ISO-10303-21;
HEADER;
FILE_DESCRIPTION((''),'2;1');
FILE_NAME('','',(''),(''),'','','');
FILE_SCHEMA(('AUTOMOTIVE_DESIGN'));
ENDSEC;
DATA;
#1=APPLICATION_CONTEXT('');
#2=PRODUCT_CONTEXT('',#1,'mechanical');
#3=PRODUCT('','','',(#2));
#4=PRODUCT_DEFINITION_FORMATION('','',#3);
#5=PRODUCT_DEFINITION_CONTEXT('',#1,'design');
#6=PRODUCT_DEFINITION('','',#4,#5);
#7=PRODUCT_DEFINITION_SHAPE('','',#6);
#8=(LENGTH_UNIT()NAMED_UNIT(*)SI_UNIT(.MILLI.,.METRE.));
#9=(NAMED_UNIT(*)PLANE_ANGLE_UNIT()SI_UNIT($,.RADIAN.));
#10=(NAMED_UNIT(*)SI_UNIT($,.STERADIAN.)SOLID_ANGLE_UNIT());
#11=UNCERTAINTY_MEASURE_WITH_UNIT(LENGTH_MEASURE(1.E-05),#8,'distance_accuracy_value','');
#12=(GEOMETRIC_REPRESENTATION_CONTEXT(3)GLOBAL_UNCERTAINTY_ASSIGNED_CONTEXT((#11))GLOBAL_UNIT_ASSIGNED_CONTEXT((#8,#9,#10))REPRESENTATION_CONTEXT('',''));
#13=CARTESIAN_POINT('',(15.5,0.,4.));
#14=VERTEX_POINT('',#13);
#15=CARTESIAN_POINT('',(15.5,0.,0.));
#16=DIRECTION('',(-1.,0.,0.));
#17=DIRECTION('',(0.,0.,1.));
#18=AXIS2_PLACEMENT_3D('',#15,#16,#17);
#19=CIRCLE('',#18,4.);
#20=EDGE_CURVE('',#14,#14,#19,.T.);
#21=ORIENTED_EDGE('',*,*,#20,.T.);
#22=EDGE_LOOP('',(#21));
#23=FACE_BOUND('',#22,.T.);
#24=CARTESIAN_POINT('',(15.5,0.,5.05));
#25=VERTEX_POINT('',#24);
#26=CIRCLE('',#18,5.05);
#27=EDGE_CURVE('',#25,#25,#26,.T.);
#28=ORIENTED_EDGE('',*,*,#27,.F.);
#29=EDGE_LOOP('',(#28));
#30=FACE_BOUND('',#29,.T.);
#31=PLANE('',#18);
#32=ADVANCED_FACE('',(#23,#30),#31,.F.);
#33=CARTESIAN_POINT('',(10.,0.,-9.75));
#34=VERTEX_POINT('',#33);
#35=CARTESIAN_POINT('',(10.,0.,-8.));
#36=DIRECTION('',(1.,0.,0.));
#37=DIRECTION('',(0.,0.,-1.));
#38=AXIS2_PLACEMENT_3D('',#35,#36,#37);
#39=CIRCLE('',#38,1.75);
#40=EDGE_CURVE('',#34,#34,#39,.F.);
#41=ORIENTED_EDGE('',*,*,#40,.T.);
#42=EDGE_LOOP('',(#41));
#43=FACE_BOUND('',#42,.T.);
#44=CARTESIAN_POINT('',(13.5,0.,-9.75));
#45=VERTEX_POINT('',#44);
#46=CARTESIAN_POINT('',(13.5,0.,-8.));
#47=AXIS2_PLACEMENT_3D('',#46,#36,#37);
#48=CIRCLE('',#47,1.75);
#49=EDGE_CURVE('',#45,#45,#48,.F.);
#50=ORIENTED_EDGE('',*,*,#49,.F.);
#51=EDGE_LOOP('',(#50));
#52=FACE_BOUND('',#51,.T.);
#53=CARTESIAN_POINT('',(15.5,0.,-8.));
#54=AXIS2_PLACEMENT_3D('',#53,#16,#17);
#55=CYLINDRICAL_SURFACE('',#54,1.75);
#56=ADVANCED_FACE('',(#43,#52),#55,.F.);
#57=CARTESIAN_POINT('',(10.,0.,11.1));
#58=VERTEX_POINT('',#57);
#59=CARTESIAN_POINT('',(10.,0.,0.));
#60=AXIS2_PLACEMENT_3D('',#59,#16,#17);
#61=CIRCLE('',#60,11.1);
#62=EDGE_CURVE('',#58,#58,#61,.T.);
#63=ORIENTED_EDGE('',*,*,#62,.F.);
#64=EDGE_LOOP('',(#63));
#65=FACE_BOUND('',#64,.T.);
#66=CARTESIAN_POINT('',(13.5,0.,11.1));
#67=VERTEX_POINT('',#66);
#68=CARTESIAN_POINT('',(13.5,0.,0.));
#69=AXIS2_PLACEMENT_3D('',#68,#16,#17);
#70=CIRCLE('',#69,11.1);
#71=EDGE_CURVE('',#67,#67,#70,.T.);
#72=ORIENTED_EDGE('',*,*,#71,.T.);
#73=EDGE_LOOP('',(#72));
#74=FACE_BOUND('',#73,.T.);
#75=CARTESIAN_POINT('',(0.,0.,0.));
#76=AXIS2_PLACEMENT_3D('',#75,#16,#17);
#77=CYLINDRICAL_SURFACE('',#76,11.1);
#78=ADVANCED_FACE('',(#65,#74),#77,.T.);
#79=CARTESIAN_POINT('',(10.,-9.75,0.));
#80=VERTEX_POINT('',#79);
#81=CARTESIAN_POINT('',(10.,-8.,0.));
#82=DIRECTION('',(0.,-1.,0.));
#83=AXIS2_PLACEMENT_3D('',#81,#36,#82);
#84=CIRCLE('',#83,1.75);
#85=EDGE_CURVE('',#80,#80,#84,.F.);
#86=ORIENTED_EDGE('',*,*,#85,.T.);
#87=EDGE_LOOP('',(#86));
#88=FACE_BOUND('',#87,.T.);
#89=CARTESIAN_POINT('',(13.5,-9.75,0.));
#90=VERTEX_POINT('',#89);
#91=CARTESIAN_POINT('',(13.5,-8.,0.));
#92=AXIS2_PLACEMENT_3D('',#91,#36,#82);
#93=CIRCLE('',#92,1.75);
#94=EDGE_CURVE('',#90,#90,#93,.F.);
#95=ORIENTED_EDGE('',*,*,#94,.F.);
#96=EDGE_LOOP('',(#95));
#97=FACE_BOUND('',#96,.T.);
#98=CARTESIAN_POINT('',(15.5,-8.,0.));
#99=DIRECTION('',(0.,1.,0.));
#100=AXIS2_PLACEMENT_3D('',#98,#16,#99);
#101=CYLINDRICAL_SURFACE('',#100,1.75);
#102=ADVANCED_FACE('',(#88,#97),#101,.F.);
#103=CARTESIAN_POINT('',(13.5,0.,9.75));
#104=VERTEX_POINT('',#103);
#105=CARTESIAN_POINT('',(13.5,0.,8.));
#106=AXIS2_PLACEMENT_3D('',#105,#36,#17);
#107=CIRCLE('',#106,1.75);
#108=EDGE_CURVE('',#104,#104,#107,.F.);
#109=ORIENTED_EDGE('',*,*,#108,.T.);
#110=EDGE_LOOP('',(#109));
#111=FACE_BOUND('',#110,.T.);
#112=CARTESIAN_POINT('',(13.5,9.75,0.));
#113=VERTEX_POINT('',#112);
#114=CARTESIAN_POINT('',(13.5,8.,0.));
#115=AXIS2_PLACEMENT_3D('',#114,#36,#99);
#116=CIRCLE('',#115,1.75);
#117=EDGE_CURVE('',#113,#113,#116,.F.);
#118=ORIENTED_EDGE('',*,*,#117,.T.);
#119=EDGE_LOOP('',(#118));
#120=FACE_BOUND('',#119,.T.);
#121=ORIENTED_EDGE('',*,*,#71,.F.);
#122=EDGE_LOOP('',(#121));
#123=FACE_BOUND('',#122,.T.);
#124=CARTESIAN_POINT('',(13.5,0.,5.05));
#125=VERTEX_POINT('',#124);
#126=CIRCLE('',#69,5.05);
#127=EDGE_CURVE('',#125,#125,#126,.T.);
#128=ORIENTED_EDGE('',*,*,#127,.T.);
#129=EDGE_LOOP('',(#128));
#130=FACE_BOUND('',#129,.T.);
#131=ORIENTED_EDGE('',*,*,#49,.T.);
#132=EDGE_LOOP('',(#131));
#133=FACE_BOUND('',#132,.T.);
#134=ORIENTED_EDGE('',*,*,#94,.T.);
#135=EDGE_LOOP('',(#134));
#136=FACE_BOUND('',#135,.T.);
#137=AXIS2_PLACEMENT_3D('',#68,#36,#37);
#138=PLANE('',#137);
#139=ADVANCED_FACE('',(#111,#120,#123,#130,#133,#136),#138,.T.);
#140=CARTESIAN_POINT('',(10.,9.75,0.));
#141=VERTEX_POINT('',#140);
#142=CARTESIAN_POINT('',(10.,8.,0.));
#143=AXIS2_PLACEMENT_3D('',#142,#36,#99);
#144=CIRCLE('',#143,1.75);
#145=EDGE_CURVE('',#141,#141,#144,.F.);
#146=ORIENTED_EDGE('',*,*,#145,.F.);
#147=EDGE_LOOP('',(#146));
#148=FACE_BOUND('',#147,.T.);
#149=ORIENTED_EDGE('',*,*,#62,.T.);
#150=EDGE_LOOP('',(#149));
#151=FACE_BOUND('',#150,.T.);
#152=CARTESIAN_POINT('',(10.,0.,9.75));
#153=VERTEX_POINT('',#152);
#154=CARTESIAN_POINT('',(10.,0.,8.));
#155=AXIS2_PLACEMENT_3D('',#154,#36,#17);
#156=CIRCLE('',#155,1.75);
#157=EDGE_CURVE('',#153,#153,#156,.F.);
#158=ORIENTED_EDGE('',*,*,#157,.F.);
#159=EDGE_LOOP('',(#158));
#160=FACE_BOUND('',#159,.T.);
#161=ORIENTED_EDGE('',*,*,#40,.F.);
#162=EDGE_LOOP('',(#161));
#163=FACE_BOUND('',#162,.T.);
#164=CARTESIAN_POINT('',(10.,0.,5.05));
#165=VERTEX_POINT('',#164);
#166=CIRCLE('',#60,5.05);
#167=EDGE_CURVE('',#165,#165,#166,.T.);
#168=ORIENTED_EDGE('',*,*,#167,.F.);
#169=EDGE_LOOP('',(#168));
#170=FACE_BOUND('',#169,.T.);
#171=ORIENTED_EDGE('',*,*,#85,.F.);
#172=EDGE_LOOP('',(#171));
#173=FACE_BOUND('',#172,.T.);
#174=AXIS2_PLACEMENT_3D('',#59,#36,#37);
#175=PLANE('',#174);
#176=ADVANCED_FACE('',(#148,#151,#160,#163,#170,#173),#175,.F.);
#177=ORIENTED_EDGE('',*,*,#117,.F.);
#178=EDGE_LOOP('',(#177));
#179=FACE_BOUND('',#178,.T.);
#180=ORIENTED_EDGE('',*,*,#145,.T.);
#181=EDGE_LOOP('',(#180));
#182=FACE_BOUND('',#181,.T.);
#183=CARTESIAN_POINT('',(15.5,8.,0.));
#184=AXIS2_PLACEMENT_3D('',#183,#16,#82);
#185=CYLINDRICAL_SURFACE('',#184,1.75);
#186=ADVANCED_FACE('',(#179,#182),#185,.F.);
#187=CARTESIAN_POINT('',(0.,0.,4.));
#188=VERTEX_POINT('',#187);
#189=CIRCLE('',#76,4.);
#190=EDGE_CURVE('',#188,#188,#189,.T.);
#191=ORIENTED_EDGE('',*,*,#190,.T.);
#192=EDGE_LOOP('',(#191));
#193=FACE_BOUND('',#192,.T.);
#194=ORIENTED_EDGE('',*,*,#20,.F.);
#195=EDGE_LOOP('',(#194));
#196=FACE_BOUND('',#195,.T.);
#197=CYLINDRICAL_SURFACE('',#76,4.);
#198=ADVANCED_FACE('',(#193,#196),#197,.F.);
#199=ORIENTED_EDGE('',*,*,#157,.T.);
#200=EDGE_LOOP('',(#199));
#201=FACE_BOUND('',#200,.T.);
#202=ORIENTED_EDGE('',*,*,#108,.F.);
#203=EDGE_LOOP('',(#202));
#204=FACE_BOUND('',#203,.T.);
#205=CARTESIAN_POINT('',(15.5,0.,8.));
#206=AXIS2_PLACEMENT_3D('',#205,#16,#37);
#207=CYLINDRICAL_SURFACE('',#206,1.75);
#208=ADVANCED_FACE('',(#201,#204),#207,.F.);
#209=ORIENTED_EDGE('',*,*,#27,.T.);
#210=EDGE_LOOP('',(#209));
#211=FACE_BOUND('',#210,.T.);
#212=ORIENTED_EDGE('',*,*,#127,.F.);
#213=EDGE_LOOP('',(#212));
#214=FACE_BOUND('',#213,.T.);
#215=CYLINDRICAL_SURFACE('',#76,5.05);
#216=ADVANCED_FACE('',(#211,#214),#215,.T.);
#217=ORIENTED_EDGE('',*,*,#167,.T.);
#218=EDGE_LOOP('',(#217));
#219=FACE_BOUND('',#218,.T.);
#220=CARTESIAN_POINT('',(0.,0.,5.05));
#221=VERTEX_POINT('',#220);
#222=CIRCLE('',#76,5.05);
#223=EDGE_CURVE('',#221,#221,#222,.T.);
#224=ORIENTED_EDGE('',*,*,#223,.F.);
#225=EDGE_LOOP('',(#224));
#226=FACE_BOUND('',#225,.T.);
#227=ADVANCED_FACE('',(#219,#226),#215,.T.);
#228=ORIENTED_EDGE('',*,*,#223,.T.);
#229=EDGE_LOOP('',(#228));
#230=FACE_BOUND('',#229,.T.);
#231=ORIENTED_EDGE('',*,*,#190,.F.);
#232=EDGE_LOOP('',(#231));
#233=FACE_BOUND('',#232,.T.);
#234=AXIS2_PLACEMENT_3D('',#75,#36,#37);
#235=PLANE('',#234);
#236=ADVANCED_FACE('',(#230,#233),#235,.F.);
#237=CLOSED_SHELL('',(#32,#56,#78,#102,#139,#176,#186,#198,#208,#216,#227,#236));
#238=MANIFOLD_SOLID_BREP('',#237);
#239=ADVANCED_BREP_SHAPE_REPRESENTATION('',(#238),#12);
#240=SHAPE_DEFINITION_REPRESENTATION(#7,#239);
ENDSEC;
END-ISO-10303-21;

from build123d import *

# Parameters (mm, degrees)
SKETCH1_W          = 3.5
SKETCH1_H          = 6.05
SKETCH1_W_2        = 15.5
SKETCH1_H_2        = 1.05
SKETCH2_R          = 1.75
CUT_EXTRUDE1_DEPTH = 23.06059836
CIRPATTERN1_COUNT  = 4


with BuildPart() as part:
    # Sketch1 → Revolve1 (revolve)
    with BuildSketch(Plane.XY, mode=Mode.PRIVATE) as revolve1_sk:
        with Locations((11.75, 8.075)):
            Rectangle(SKETCH1_W, SKETCH1_H)
        with Locations((7.75, 4.525)):
            Rectangle(SKETCH1_W_2, SKETCH1_H_2)
    revolve(revolve1_sk.sketch.rotate(Axis((0, 0, 0), (1, 0, 0)), 90), axis=Axis((0, 0, 0), (1, 0, 0)))

    # Sketch2 → Cut-Extrude1 (cut, through all)
    with BuildSketch(Plane(origin=(0, 0, 0), x_dir=(0, 0, -1), z_dir=(1, 0, 0))):
        with Locations((8, 0)):
            Circle(SKETCH2_R)
    cut_extrude1 = extrude(amount=CUT_EXTRUDE1_DEPTH, mode=Mode.SUBTRACT)

    # CirPattern1: Cut-Extrude1 ×4 about axis
    cirpattern1_axis = Axis((0, 0, 0), (1, 0, 0))
    for i in range(1, CIRPATTERN1_COUNT):
        add(cut_extrude1.rotate(cirpattern1_axis, i * 360 / CIRPATTERN1_COUNT), mode=Mode.SUBTRACT)


solid = part.part
